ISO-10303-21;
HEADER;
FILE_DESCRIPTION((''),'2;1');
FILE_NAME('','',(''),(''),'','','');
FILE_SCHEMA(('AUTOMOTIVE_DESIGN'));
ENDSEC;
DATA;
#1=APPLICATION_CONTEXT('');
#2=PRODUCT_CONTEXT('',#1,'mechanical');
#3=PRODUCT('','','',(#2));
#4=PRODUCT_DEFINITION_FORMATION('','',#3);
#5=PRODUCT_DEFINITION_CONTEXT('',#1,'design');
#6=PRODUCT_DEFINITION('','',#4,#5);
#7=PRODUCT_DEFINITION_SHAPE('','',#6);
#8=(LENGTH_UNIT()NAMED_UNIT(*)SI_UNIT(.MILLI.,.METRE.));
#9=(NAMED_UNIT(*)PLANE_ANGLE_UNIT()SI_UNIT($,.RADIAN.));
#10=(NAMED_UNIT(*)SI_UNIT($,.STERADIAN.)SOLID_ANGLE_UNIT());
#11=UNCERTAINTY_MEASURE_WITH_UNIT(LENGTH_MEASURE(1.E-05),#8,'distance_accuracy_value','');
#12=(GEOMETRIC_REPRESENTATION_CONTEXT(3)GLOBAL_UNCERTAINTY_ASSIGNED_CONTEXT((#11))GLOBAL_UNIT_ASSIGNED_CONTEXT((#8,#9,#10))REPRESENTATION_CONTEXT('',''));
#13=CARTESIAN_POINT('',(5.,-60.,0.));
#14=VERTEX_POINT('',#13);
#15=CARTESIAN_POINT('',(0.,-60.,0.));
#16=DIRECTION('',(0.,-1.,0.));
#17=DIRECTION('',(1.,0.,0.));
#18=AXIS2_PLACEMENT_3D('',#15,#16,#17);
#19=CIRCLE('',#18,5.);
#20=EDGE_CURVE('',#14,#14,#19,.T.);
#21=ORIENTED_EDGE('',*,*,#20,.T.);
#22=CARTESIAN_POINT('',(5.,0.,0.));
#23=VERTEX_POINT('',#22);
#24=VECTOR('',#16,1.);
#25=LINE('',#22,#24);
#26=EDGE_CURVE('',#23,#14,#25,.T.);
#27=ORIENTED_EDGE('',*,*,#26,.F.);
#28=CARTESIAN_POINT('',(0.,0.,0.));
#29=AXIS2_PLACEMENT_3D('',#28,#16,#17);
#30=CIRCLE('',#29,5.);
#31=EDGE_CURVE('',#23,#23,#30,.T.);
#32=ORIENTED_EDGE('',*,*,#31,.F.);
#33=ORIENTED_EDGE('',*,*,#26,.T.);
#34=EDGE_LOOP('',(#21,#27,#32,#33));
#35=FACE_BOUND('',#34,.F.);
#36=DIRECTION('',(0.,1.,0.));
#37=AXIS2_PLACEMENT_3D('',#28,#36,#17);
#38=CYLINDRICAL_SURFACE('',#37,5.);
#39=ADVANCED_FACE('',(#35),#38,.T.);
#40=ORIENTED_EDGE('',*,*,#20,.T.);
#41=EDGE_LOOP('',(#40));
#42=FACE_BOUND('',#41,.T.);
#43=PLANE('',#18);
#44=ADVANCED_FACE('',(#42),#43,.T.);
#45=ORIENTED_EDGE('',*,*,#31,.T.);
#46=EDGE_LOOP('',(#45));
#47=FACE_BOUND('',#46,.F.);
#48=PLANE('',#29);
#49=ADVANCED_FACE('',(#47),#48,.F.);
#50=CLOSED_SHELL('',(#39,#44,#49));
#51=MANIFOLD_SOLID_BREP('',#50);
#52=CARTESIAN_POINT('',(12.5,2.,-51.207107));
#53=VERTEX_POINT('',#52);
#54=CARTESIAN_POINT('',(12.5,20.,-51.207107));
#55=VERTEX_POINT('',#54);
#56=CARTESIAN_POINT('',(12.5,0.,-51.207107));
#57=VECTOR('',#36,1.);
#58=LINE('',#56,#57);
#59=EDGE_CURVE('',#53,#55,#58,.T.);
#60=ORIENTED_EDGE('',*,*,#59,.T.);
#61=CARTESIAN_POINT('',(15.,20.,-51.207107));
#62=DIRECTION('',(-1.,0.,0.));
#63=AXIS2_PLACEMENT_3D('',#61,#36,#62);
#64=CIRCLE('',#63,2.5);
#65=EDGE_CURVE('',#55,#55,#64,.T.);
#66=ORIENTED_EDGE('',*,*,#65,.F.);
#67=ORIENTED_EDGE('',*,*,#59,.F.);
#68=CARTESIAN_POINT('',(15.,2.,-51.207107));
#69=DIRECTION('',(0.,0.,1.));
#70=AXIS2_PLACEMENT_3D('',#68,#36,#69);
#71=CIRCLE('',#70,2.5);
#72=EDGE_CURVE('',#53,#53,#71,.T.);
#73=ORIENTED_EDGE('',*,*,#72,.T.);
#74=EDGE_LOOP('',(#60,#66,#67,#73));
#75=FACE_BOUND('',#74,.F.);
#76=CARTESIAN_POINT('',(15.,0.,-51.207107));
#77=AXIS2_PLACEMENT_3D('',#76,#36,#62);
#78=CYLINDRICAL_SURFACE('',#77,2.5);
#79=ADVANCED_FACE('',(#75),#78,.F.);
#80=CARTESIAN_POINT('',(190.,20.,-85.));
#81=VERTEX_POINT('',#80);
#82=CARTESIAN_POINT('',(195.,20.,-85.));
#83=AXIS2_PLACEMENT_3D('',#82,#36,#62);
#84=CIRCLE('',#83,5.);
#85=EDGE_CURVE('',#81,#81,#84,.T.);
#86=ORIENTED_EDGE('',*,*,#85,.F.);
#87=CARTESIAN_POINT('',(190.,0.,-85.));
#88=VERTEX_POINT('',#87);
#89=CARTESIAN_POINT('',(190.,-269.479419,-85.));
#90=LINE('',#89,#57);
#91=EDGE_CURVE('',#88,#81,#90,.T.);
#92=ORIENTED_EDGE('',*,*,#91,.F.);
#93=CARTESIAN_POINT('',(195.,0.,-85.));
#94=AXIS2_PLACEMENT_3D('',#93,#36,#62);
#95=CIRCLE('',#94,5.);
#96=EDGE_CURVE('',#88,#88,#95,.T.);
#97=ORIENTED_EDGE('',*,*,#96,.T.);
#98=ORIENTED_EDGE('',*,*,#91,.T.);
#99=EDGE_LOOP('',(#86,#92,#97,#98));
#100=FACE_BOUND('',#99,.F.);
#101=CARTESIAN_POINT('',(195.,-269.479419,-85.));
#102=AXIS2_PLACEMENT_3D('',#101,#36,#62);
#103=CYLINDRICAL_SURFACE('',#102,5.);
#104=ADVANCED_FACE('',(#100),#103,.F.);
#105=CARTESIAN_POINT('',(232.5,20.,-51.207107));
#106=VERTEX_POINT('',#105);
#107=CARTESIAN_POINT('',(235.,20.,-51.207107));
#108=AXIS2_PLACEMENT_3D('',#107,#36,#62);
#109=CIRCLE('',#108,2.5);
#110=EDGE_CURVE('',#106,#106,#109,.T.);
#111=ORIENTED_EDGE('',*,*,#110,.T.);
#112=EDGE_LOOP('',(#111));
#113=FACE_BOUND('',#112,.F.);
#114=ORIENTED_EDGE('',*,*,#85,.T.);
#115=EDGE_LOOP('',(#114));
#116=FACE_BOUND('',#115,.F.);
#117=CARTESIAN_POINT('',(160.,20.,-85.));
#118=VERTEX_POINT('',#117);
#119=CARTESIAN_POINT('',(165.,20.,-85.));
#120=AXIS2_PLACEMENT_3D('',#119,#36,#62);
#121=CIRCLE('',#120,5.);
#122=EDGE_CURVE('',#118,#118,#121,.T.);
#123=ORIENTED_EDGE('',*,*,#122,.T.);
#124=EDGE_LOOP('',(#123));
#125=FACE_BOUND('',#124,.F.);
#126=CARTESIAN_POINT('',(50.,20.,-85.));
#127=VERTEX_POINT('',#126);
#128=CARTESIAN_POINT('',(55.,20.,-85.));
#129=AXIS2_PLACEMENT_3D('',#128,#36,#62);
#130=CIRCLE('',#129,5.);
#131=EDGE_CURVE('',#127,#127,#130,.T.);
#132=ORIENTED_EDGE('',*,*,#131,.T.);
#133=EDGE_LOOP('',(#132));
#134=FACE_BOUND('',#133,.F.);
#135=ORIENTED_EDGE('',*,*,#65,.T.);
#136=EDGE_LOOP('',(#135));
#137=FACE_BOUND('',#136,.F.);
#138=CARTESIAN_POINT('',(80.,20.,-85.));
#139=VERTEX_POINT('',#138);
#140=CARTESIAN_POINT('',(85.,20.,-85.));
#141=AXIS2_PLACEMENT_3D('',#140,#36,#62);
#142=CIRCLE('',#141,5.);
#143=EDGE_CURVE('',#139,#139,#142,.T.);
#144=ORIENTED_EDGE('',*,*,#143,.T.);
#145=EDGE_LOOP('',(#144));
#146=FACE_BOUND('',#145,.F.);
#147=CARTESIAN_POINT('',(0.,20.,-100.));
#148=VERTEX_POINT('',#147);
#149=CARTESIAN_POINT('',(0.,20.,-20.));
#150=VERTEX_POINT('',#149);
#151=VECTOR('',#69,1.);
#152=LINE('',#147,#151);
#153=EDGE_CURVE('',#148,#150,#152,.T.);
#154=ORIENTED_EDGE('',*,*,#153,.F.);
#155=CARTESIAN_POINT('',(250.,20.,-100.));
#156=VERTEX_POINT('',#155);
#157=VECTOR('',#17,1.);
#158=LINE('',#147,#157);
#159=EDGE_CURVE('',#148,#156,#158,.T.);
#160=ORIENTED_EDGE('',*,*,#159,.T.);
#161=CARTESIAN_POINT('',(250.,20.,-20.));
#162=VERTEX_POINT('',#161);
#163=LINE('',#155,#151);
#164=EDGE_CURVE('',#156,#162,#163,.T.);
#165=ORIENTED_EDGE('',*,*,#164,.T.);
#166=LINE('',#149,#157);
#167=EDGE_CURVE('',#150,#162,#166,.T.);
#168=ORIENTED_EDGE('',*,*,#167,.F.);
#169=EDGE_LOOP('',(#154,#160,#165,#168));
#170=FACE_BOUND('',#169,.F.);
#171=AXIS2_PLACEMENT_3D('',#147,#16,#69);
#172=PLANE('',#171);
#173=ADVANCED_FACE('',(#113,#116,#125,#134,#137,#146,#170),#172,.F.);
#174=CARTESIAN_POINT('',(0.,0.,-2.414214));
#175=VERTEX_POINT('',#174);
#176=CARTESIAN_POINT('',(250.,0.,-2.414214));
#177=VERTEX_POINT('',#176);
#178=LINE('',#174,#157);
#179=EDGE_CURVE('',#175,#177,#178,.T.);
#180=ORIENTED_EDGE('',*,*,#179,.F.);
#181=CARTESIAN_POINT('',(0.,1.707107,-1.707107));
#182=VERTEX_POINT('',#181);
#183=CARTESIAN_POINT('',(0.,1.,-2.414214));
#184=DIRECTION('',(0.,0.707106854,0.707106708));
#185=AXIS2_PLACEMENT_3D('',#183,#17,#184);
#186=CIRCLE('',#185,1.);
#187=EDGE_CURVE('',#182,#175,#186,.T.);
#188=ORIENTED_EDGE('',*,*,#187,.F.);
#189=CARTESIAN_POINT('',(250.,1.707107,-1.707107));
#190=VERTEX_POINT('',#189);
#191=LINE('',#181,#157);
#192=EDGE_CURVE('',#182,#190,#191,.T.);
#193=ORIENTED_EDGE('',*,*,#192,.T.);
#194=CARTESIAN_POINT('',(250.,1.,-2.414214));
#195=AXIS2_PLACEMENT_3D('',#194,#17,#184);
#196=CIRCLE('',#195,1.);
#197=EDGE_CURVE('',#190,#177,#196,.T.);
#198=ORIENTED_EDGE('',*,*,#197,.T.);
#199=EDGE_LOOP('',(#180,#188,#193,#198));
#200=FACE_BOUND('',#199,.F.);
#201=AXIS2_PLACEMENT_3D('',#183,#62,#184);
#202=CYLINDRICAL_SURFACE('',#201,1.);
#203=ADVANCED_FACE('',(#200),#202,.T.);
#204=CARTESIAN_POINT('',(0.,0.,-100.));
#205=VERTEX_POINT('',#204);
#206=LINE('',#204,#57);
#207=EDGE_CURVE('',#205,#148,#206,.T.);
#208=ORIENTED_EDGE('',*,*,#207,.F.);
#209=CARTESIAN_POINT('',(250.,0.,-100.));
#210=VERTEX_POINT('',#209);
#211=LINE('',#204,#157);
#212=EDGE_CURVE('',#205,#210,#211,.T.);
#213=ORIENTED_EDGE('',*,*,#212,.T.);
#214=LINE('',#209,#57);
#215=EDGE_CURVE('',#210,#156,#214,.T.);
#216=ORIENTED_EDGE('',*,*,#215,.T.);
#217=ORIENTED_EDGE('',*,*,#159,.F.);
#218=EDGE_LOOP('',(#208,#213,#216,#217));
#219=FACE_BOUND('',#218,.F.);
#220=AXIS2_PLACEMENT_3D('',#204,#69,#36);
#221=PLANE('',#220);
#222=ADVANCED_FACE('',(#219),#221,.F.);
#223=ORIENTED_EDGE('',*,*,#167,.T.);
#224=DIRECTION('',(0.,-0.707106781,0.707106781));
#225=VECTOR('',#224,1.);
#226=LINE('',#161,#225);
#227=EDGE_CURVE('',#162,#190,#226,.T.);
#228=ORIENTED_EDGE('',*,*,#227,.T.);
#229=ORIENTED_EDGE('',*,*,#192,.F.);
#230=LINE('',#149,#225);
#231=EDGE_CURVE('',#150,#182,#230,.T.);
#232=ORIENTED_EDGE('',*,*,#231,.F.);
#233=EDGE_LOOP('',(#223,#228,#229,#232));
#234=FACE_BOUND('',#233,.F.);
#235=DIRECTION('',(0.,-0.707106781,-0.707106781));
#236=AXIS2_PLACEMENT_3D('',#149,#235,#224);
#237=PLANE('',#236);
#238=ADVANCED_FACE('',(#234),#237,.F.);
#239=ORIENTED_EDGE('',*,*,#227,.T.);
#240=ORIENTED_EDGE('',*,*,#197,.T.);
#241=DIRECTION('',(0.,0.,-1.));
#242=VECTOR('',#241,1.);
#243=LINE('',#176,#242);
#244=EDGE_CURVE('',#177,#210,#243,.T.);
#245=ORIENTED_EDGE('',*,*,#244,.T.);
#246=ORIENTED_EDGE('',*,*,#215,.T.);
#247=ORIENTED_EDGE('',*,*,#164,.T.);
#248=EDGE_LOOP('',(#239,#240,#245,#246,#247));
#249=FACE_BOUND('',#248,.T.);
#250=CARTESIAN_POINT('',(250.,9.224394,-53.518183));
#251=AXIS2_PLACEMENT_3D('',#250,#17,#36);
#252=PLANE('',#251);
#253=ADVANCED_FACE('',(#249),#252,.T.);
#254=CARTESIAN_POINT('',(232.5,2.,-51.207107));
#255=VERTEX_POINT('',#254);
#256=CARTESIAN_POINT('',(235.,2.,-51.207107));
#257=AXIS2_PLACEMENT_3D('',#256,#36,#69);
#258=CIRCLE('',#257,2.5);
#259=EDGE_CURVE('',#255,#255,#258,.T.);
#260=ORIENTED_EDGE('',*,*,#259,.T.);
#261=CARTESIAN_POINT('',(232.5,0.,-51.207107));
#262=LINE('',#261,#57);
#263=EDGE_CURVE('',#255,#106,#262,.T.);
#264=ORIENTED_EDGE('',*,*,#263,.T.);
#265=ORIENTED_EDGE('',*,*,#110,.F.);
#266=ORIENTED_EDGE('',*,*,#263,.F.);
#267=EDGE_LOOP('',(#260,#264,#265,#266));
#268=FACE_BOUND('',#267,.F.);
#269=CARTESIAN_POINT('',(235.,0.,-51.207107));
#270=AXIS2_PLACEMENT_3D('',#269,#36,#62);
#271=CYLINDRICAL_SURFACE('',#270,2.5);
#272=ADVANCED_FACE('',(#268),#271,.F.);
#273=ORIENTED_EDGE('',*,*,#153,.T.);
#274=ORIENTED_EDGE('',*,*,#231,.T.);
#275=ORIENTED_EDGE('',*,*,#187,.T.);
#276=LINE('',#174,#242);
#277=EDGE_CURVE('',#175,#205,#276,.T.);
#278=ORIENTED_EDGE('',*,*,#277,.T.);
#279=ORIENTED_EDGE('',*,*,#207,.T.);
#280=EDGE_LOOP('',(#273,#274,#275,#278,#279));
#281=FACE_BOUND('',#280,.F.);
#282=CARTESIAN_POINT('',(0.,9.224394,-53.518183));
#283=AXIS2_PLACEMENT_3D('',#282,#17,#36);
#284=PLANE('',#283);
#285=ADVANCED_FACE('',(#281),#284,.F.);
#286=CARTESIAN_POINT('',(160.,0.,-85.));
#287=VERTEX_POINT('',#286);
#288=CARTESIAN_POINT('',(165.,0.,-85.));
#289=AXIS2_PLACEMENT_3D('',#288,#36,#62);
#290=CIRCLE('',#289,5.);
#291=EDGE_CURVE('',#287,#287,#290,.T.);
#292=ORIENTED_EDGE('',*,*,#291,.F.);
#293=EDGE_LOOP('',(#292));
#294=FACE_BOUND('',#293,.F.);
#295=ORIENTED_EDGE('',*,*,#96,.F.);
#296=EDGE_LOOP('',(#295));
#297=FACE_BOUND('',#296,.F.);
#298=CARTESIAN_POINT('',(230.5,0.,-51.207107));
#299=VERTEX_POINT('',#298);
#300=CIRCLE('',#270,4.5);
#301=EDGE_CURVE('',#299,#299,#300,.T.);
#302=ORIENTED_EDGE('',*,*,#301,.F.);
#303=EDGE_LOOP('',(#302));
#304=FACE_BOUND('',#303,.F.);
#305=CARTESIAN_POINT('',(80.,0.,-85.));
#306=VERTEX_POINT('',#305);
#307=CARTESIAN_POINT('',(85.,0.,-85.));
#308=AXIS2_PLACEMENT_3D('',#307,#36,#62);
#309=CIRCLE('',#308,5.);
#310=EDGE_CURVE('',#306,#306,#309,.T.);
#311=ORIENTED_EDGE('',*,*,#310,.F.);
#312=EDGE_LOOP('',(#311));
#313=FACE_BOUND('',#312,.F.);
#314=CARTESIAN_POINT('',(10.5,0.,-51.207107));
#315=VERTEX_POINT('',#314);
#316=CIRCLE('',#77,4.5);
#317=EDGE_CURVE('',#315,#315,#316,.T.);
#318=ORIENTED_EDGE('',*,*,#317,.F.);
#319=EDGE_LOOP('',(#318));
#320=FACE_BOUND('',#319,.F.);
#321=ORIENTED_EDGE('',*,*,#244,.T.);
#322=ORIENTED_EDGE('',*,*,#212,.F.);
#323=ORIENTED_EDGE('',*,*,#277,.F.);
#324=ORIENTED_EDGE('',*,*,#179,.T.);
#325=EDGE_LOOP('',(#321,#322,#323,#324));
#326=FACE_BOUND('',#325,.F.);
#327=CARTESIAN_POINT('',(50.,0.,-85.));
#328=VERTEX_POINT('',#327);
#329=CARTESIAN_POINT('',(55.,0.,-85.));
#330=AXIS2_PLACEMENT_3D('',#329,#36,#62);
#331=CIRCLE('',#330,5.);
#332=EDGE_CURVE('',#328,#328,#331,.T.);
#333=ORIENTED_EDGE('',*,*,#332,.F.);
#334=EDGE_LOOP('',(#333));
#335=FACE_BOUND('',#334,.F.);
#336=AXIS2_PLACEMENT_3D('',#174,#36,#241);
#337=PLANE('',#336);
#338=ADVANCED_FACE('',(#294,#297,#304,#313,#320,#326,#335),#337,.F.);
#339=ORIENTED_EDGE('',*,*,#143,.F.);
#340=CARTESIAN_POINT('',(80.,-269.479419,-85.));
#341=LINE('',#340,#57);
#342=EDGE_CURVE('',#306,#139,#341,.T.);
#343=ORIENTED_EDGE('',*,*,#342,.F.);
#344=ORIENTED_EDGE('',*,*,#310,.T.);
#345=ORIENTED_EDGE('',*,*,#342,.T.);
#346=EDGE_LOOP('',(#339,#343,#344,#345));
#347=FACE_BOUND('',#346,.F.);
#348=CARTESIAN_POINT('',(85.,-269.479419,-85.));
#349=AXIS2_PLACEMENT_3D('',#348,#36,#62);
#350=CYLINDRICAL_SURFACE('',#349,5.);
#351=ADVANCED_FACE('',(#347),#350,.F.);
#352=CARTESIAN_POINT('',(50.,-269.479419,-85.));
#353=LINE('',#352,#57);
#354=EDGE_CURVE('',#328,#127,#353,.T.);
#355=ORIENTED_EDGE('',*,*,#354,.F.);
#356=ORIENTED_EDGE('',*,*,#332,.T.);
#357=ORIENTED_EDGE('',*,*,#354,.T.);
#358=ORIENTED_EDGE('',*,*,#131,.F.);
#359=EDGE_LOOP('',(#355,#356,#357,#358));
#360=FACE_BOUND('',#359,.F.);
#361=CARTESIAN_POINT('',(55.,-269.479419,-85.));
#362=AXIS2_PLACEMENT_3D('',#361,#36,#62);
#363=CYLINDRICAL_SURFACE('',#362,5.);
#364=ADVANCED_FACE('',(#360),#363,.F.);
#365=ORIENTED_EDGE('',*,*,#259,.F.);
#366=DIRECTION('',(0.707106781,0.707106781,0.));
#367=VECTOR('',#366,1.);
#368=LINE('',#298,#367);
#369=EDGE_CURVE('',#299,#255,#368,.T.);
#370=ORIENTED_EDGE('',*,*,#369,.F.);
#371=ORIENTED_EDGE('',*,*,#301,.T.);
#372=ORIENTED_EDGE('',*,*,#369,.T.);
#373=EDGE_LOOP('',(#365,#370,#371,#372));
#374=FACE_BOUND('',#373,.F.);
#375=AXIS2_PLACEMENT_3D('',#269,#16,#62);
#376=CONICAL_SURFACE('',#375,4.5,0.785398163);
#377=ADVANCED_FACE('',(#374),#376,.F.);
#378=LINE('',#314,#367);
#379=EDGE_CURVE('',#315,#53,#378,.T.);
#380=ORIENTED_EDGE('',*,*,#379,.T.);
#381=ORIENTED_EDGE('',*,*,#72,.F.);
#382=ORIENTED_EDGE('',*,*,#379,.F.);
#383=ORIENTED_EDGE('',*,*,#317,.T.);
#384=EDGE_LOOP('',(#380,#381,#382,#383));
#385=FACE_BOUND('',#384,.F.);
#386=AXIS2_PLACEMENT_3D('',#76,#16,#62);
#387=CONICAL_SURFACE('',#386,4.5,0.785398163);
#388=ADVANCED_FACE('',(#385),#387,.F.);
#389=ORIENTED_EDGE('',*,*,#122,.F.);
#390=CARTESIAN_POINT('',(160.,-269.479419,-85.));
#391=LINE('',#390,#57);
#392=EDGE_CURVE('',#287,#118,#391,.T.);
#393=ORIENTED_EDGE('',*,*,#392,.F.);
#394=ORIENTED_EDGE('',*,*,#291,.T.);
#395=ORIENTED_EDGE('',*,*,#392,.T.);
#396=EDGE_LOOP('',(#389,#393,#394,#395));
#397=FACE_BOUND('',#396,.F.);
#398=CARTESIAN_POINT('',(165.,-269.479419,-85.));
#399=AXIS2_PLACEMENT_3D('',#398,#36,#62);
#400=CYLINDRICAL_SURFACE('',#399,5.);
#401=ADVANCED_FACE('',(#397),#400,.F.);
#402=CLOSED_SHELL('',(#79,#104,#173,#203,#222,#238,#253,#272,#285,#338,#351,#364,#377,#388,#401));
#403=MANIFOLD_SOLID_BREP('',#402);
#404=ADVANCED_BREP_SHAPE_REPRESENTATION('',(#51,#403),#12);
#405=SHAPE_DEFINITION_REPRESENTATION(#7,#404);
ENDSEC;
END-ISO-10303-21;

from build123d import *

# Parameters (mm, degrees)
F1_DEPTH       = 250
F4_D           = 10
F5_D           = 5
F5_CSINK_D     = 9
F5_CSINK_ANGLE = 90
F6_R           = 5
F7_DEPTH       = 60


with BuildPart() as f1:
    # F0 (on Right) → F1 (new body)
    with BuildSketch(Plane.YZ):
        with BuildLine():
            Line((20, -20), (1.707107, -1.707107))
            ThreePointArc((1.707107, -1.707107), (0.617317, -1.490334), (0, -2.414214))
            Line((0, -2.414214), (0, -100))
            Line((0, -100), (20, -100))
            Line((20, -100), (20, -20))
        make_face()
    extrude(amount=F1_DEPTH)

    # F4 (through all)
    with Locations(Plane.XZ):
        with Locations((55, -85), (85, -85), (165, -85), (195, -85)):
            Hole(F4_D / 2)

    # F5 (through all)
    with Locations(Plane.XZ):
        with Locations((15, -51.207107), (235, -51.207107)):
            CounterSinkHole(F5_D / 2, F5_CSINK_D / 2, counter_sink_angle=F5_CSINK_ANGLE)


with BuildPart() as f7:
    # F6 (on Front) → F7 (new body)
    with BuildSketch(Plane.XZ):
        Circle(F6_R)
    extrude(amount=F7_DEPTH)


solid = Compound([f1.part, f7.part])
